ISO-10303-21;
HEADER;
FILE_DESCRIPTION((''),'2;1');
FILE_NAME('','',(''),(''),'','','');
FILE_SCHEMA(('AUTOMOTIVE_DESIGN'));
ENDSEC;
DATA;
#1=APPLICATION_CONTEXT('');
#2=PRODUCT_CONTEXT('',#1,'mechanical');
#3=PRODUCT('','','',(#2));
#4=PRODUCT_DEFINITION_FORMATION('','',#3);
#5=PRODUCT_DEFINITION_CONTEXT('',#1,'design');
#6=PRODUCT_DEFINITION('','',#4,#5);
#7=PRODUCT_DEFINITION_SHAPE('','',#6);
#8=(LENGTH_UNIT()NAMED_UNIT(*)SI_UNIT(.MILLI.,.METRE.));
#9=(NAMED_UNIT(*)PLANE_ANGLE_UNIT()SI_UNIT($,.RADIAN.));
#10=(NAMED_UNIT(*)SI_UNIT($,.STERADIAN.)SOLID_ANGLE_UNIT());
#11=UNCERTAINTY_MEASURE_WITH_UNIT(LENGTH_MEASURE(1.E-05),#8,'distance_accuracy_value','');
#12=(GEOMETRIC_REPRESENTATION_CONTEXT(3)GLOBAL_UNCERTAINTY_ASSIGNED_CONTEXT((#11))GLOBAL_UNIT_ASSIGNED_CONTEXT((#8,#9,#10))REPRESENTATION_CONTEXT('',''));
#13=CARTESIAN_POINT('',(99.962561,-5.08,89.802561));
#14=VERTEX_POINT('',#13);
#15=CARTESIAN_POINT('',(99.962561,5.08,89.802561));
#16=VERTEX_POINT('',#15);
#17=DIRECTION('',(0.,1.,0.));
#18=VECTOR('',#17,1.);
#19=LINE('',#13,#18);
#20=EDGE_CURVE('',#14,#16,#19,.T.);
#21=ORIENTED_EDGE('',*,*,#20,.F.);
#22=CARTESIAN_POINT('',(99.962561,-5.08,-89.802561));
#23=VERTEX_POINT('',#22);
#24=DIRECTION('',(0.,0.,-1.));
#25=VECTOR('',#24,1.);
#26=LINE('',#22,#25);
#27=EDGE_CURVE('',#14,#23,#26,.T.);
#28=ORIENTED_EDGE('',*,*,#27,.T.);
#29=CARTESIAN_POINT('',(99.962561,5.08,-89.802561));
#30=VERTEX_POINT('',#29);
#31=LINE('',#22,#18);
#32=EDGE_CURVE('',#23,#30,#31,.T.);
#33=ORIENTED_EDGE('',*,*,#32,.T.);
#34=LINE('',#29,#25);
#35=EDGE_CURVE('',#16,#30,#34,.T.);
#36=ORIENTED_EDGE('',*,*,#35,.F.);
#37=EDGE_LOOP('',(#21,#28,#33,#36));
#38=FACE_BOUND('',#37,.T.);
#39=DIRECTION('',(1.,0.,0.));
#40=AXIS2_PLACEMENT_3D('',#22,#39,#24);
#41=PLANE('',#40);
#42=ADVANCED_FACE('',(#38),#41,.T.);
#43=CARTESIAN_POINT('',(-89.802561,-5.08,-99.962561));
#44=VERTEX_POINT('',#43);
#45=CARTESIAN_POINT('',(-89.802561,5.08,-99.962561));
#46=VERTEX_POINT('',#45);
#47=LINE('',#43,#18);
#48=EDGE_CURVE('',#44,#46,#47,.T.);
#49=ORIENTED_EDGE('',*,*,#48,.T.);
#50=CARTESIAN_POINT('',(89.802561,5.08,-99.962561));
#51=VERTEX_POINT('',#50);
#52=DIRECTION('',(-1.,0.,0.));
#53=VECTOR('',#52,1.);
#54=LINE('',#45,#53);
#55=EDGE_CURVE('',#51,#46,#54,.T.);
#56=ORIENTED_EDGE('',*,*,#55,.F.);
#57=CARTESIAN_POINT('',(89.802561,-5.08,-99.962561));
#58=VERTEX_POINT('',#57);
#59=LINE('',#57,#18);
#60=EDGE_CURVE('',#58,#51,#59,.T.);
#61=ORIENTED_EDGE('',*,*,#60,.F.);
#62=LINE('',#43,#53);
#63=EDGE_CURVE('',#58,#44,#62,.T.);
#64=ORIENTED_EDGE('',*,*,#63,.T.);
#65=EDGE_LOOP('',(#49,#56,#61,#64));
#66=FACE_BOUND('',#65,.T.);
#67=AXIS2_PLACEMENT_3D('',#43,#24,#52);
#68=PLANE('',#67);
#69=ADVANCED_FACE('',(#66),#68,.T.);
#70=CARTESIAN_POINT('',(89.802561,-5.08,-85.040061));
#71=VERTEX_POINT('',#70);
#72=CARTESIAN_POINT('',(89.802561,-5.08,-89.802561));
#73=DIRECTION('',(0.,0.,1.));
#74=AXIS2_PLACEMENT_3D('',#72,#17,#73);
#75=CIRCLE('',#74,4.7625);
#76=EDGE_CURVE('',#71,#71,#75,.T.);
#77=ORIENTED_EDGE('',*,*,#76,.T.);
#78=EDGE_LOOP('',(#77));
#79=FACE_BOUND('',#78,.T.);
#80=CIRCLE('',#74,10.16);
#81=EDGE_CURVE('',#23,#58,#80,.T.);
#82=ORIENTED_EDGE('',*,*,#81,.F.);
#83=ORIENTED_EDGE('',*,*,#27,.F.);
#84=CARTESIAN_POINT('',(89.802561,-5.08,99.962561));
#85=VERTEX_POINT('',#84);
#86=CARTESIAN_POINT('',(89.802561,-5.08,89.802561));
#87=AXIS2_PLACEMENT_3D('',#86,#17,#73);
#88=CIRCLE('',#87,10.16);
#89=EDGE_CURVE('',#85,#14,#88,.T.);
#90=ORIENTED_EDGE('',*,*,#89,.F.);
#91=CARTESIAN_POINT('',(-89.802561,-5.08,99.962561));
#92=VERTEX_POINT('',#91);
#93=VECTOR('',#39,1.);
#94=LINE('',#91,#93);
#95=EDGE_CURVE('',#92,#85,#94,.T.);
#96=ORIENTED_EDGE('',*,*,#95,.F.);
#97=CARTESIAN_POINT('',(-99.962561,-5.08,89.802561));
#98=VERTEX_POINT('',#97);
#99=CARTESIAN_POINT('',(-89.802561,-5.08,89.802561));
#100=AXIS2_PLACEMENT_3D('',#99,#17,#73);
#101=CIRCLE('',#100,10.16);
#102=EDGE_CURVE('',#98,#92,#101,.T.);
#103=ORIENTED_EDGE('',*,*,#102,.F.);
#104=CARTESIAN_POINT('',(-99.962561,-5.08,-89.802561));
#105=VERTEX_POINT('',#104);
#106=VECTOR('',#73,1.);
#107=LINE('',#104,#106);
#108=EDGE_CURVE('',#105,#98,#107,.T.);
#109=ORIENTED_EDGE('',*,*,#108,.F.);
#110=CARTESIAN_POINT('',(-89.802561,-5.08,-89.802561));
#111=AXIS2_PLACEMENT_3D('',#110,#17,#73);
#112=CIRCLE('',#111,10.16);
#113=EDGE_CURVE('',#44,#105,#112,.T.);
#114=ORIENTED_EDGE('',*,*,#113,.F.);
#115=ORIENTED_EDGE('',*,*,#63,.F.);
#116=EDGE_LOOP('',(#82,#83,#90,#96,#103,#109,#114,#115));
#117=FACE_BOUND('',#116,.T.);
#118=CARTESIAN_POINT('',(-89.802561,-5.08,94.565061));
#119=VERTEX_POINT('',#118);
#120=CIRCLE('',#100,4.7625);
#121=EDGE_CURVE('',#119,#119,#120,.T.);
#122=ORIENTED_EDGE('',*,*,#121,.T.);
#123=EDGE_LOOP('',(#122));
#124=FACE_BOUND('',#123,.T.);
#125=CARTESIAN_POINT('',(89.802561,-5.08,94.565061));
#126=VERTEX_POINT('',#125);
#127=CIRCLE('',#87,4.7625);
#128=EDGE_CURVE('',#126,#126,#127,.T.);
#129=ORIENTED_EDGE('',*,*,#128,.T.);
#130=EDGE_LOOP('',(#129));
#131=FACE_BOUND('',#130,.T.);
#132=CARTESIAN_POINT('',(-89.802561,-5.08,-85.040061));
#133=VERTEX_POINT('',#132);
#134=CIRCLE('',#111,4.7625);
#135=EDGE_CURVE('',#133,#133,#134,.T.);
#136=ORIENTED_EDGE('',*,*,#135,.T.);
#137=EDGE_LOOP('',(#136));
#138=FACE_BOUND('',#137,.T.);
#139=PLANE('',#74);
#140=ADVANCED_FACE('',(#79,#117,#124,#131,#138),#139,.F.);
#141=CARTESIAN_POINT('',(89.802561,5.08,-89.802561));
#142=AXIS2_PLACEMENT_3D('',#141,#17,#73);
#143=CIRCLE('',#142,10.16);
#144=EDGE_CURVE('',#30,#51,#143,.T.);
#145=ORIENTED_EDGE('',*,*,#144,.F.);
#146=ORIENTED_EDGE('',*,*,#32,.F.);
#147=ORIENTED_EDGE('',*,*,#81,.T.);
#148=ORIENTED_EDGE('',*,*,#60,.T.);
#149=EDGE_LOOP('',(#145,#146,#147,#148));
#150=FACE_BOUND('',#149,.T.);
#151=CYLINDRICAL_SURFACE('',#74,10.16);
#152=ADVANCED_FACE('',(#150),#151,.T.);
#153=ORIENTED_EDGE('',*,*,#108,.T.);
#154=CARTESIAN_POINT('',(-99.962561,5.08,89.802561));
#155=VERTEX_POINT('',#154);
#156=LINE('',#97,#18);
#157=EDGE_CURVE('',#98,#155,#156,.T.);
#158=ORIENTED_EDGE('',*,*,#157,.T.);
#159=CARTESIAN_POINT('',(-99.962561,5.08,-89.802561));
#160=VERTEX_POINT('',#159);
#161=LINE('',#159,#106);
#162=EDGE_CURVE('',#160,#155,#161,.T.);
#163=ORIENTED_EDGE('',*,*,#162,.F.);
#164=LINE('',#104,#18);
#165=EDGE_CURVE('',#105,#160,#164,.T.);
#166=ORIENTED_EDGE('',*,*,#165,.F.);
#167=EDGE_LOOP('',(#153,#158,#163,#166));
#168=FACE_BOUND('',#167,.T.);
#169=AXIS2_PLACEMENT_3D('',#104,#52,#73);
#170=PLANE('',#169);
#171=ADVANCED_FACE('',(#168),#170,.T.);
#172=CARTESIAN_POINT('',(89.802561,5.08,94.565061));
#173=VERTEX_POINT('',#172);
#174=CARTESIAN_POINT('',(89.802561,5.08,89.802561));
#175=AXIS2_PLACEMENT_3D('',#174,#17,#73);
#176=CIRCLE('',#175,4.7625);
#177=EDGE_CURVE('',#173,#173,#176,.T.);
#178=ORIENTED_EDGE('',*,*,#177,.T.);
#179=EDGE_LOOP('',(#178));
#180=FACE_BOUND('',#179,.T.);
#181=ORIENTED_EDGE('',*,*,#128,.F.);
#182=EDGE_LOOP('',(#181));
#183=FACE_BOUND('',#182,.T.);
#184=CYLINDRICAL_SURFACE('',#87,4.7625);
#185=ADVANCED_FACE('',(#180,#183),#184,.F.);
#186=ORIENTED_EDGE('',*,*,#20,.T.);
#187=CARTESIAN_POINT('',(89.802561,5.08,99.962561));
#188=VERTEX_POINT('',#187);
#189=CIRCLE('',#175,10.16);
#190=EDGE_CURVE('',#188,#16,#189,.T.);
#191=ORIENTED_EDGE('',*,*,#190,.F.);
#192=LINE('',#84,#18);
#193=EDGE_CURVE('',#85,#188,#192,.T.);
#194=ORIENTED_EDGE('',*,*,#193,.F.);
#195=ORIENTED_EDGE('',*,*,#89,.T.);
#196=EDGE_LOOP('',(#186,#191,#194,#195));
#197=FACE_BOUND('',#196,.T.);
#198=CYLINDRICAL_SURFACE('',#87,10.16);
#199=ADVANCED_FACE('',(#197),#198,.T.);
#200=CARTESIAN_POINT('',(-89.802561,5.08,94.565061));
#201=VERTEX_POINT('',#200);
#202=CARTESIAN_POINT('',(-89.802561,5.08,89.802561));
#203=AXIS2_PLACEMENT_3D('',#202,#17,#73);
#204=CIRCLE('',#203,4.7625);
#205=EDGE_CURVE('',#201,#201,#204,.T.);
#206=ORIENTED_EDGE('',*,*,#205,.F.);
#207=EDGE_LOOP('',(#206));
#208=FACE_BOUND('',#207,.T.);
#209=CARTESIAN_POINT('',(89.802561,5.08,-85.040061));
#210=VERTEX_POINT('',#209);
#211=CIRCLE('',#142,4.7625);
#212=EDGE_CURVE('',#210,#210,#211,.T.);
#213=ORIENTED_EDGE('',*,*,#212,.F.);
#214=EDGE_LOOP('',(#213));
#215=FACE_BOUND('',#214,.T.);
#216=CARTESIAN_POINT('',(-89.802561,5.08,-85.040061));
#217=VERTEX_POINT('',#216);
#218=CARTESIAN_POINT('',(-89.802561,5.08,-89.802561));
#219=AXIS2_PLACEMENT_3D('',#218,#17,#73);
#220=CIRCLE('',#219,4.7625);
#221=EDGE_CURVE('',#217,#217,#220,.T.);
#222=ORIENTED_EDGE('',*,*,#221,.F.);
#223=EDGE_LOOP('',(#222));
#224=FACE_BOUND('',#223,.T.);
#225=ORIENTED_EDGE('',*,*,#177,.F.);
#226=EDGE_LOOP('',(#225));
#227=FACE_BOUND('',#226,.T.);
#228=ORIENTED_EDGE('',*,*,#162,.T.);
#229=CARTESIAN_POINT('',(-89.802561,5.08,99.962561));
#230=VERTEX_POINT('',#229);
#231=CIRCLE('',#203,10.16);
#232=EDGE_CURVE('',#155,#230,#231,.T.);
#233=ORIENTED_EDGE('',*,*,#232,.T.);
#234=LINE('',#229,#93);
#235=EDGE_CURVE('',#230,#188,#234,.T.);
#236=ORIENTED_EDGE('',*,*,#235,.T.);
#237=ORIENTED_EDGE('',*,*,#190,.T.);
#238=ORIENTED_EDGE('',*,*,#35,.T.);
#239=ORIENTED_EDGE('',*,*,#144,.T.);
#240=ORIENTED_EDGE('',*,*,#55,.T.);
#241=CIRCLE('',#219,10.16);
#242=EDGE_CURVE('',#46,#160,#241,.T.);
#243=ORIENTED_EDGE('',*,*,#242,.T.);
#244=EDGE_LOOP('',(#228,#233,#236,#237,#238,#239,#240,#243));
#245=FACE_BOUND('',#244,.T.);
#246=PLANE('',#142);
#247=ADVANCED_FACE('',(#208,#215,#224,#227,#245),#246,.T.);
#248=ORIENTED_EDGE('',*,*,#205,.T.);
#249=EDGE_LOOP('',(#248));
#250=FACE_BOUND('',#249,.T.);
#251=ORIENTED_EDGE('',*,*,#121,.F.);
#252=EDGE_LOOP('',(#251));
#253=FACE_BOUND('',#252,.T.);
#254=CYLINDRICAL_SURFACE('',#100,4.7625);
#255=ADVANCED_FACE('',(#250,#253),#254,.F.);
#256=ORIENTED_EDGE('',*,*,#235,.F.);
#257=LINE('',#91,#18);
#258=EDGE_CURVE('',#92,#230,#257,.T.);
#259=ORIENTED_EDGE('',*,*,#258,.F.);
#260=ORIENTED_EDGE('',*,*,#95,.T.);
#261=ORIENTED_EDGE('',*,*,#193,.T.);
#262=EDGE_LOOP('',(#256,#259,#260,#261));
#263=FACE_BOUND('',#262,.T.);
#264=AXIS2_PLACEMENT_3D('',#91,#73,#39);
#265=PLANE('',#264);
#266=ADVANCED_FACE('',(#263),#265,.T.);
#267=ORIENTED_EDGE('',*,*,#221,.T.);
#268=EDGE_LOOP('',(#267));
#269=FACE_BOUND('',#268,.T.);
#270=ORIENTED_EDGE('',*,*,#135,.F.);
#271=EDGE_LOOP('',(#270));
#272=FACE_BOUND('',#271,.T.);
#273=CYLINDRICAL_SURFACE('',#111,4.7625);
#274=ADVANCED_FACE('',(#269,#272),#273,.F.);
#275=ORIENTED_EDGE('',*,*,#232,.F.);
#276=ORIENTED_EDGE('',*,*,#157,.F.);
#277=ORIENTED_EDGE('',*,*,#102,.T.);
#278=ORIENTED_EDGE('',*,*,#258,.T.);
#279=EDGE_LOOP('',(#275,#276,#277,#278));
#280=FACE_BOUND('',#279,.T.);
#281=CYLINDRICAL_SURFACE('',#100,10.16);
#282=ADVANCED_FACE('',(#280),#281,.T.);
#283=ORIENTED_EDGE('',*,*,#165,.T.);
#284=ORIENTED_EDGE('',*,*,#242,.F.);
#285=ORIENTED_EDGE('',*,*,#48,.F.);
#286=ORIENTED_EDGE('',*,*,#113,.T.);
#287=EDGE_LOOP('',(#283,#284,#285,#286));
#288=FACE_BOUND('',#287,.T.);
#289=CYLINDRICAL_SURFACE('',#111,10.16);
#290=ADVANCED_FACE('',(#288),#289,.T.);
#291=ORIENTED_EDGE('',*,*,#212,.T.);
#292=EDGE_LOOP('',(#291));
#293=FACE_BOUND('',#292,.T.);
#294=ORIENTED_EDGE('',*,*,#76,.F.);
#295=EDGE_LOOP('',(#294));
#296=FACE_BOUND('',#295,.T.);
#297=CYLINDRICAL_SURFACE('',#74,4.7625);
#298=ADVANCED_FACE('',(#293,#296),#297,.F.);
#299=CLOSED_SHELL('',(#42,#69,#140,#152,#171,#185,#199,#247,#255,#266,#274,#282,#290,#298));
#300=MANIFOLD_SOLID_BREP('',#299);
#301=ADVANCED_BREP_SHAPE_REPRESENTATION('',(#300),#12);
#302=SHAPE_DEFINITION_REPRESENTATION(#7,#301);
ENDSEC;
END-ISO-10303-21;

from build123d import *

# Parameters (mm, degrees)
BOSS_EXTRUDE2_DEPTH      = 5.08
BOSS_EXTRUDE2_DEPTH_BACK = 5.08
SKETCH1_R                = 4.7625


with BuildPart() as part:
    # Sketch1 → Boss-Extrude2 (new, two sides: drawn at the far end of the back side and taken through both)
    with BuildSketch(Plane(origin=(0, 0, 0), x_dir=(1, 0, 0), z_dir=(0, 1, 0)).offset(-BOSS_EXTRUDE2_DEPTH_BACK)):
        with BuildLine():
            Line((-89.802561211, 99.962561211), (89.802561211, 99.962561211))
            ThreePointArc((89.802561211, 99.962561211), (96.986766108, 96.986766108), (99.962561211, 89.802561211))
            Line((99.962561211, 89.802561211), (99.962561211, -89.802561211))
            ThreePointArc((99.962561211, -89.802561211), (96.986766108, -96.986766108), (89.802561211, -99.962561211))
            Line((89.802561211, -99.962561211), (-89.802561211, -99.962561211))
            ThreePointArc((-89.802561211, -99.962561211), (-96.986766108, -96.986766108), (-99.962561211, -89.802561211))
            Line((-99.962561211, -89.802561211), (-99.962561211, 89.802561211))
            ThreePointArc((-99.962561211, 89.802561211), (-96.986766108, 96.986766108), (-89.802561211, 99.962561211))
        make_face()
        with Locations((89.802561211, 89.802561211)):
            Circle(SKETCH1_R, mode=Mode.SUBTRACT)
        with Locations((89.802561211, -89.802561211)):
            Circle(SKETCH1_R, mode=Mode.SUBTRACT)
        with Locations((-89.802561211, -89.802561211)):
            Circle(SKETCH1_R, mode=Mode.SUBTRACT)
        with Locations((-89.802561211, 89.802561211)):
            Circle(SKETCH1_R, mode=Mode.SUBTRACT)
    extrude(amount=BOSS_EXTRUDE2_DEPTH + BOSS_EXTRUDE2_DEPTH_BACK)


solid = part.part
